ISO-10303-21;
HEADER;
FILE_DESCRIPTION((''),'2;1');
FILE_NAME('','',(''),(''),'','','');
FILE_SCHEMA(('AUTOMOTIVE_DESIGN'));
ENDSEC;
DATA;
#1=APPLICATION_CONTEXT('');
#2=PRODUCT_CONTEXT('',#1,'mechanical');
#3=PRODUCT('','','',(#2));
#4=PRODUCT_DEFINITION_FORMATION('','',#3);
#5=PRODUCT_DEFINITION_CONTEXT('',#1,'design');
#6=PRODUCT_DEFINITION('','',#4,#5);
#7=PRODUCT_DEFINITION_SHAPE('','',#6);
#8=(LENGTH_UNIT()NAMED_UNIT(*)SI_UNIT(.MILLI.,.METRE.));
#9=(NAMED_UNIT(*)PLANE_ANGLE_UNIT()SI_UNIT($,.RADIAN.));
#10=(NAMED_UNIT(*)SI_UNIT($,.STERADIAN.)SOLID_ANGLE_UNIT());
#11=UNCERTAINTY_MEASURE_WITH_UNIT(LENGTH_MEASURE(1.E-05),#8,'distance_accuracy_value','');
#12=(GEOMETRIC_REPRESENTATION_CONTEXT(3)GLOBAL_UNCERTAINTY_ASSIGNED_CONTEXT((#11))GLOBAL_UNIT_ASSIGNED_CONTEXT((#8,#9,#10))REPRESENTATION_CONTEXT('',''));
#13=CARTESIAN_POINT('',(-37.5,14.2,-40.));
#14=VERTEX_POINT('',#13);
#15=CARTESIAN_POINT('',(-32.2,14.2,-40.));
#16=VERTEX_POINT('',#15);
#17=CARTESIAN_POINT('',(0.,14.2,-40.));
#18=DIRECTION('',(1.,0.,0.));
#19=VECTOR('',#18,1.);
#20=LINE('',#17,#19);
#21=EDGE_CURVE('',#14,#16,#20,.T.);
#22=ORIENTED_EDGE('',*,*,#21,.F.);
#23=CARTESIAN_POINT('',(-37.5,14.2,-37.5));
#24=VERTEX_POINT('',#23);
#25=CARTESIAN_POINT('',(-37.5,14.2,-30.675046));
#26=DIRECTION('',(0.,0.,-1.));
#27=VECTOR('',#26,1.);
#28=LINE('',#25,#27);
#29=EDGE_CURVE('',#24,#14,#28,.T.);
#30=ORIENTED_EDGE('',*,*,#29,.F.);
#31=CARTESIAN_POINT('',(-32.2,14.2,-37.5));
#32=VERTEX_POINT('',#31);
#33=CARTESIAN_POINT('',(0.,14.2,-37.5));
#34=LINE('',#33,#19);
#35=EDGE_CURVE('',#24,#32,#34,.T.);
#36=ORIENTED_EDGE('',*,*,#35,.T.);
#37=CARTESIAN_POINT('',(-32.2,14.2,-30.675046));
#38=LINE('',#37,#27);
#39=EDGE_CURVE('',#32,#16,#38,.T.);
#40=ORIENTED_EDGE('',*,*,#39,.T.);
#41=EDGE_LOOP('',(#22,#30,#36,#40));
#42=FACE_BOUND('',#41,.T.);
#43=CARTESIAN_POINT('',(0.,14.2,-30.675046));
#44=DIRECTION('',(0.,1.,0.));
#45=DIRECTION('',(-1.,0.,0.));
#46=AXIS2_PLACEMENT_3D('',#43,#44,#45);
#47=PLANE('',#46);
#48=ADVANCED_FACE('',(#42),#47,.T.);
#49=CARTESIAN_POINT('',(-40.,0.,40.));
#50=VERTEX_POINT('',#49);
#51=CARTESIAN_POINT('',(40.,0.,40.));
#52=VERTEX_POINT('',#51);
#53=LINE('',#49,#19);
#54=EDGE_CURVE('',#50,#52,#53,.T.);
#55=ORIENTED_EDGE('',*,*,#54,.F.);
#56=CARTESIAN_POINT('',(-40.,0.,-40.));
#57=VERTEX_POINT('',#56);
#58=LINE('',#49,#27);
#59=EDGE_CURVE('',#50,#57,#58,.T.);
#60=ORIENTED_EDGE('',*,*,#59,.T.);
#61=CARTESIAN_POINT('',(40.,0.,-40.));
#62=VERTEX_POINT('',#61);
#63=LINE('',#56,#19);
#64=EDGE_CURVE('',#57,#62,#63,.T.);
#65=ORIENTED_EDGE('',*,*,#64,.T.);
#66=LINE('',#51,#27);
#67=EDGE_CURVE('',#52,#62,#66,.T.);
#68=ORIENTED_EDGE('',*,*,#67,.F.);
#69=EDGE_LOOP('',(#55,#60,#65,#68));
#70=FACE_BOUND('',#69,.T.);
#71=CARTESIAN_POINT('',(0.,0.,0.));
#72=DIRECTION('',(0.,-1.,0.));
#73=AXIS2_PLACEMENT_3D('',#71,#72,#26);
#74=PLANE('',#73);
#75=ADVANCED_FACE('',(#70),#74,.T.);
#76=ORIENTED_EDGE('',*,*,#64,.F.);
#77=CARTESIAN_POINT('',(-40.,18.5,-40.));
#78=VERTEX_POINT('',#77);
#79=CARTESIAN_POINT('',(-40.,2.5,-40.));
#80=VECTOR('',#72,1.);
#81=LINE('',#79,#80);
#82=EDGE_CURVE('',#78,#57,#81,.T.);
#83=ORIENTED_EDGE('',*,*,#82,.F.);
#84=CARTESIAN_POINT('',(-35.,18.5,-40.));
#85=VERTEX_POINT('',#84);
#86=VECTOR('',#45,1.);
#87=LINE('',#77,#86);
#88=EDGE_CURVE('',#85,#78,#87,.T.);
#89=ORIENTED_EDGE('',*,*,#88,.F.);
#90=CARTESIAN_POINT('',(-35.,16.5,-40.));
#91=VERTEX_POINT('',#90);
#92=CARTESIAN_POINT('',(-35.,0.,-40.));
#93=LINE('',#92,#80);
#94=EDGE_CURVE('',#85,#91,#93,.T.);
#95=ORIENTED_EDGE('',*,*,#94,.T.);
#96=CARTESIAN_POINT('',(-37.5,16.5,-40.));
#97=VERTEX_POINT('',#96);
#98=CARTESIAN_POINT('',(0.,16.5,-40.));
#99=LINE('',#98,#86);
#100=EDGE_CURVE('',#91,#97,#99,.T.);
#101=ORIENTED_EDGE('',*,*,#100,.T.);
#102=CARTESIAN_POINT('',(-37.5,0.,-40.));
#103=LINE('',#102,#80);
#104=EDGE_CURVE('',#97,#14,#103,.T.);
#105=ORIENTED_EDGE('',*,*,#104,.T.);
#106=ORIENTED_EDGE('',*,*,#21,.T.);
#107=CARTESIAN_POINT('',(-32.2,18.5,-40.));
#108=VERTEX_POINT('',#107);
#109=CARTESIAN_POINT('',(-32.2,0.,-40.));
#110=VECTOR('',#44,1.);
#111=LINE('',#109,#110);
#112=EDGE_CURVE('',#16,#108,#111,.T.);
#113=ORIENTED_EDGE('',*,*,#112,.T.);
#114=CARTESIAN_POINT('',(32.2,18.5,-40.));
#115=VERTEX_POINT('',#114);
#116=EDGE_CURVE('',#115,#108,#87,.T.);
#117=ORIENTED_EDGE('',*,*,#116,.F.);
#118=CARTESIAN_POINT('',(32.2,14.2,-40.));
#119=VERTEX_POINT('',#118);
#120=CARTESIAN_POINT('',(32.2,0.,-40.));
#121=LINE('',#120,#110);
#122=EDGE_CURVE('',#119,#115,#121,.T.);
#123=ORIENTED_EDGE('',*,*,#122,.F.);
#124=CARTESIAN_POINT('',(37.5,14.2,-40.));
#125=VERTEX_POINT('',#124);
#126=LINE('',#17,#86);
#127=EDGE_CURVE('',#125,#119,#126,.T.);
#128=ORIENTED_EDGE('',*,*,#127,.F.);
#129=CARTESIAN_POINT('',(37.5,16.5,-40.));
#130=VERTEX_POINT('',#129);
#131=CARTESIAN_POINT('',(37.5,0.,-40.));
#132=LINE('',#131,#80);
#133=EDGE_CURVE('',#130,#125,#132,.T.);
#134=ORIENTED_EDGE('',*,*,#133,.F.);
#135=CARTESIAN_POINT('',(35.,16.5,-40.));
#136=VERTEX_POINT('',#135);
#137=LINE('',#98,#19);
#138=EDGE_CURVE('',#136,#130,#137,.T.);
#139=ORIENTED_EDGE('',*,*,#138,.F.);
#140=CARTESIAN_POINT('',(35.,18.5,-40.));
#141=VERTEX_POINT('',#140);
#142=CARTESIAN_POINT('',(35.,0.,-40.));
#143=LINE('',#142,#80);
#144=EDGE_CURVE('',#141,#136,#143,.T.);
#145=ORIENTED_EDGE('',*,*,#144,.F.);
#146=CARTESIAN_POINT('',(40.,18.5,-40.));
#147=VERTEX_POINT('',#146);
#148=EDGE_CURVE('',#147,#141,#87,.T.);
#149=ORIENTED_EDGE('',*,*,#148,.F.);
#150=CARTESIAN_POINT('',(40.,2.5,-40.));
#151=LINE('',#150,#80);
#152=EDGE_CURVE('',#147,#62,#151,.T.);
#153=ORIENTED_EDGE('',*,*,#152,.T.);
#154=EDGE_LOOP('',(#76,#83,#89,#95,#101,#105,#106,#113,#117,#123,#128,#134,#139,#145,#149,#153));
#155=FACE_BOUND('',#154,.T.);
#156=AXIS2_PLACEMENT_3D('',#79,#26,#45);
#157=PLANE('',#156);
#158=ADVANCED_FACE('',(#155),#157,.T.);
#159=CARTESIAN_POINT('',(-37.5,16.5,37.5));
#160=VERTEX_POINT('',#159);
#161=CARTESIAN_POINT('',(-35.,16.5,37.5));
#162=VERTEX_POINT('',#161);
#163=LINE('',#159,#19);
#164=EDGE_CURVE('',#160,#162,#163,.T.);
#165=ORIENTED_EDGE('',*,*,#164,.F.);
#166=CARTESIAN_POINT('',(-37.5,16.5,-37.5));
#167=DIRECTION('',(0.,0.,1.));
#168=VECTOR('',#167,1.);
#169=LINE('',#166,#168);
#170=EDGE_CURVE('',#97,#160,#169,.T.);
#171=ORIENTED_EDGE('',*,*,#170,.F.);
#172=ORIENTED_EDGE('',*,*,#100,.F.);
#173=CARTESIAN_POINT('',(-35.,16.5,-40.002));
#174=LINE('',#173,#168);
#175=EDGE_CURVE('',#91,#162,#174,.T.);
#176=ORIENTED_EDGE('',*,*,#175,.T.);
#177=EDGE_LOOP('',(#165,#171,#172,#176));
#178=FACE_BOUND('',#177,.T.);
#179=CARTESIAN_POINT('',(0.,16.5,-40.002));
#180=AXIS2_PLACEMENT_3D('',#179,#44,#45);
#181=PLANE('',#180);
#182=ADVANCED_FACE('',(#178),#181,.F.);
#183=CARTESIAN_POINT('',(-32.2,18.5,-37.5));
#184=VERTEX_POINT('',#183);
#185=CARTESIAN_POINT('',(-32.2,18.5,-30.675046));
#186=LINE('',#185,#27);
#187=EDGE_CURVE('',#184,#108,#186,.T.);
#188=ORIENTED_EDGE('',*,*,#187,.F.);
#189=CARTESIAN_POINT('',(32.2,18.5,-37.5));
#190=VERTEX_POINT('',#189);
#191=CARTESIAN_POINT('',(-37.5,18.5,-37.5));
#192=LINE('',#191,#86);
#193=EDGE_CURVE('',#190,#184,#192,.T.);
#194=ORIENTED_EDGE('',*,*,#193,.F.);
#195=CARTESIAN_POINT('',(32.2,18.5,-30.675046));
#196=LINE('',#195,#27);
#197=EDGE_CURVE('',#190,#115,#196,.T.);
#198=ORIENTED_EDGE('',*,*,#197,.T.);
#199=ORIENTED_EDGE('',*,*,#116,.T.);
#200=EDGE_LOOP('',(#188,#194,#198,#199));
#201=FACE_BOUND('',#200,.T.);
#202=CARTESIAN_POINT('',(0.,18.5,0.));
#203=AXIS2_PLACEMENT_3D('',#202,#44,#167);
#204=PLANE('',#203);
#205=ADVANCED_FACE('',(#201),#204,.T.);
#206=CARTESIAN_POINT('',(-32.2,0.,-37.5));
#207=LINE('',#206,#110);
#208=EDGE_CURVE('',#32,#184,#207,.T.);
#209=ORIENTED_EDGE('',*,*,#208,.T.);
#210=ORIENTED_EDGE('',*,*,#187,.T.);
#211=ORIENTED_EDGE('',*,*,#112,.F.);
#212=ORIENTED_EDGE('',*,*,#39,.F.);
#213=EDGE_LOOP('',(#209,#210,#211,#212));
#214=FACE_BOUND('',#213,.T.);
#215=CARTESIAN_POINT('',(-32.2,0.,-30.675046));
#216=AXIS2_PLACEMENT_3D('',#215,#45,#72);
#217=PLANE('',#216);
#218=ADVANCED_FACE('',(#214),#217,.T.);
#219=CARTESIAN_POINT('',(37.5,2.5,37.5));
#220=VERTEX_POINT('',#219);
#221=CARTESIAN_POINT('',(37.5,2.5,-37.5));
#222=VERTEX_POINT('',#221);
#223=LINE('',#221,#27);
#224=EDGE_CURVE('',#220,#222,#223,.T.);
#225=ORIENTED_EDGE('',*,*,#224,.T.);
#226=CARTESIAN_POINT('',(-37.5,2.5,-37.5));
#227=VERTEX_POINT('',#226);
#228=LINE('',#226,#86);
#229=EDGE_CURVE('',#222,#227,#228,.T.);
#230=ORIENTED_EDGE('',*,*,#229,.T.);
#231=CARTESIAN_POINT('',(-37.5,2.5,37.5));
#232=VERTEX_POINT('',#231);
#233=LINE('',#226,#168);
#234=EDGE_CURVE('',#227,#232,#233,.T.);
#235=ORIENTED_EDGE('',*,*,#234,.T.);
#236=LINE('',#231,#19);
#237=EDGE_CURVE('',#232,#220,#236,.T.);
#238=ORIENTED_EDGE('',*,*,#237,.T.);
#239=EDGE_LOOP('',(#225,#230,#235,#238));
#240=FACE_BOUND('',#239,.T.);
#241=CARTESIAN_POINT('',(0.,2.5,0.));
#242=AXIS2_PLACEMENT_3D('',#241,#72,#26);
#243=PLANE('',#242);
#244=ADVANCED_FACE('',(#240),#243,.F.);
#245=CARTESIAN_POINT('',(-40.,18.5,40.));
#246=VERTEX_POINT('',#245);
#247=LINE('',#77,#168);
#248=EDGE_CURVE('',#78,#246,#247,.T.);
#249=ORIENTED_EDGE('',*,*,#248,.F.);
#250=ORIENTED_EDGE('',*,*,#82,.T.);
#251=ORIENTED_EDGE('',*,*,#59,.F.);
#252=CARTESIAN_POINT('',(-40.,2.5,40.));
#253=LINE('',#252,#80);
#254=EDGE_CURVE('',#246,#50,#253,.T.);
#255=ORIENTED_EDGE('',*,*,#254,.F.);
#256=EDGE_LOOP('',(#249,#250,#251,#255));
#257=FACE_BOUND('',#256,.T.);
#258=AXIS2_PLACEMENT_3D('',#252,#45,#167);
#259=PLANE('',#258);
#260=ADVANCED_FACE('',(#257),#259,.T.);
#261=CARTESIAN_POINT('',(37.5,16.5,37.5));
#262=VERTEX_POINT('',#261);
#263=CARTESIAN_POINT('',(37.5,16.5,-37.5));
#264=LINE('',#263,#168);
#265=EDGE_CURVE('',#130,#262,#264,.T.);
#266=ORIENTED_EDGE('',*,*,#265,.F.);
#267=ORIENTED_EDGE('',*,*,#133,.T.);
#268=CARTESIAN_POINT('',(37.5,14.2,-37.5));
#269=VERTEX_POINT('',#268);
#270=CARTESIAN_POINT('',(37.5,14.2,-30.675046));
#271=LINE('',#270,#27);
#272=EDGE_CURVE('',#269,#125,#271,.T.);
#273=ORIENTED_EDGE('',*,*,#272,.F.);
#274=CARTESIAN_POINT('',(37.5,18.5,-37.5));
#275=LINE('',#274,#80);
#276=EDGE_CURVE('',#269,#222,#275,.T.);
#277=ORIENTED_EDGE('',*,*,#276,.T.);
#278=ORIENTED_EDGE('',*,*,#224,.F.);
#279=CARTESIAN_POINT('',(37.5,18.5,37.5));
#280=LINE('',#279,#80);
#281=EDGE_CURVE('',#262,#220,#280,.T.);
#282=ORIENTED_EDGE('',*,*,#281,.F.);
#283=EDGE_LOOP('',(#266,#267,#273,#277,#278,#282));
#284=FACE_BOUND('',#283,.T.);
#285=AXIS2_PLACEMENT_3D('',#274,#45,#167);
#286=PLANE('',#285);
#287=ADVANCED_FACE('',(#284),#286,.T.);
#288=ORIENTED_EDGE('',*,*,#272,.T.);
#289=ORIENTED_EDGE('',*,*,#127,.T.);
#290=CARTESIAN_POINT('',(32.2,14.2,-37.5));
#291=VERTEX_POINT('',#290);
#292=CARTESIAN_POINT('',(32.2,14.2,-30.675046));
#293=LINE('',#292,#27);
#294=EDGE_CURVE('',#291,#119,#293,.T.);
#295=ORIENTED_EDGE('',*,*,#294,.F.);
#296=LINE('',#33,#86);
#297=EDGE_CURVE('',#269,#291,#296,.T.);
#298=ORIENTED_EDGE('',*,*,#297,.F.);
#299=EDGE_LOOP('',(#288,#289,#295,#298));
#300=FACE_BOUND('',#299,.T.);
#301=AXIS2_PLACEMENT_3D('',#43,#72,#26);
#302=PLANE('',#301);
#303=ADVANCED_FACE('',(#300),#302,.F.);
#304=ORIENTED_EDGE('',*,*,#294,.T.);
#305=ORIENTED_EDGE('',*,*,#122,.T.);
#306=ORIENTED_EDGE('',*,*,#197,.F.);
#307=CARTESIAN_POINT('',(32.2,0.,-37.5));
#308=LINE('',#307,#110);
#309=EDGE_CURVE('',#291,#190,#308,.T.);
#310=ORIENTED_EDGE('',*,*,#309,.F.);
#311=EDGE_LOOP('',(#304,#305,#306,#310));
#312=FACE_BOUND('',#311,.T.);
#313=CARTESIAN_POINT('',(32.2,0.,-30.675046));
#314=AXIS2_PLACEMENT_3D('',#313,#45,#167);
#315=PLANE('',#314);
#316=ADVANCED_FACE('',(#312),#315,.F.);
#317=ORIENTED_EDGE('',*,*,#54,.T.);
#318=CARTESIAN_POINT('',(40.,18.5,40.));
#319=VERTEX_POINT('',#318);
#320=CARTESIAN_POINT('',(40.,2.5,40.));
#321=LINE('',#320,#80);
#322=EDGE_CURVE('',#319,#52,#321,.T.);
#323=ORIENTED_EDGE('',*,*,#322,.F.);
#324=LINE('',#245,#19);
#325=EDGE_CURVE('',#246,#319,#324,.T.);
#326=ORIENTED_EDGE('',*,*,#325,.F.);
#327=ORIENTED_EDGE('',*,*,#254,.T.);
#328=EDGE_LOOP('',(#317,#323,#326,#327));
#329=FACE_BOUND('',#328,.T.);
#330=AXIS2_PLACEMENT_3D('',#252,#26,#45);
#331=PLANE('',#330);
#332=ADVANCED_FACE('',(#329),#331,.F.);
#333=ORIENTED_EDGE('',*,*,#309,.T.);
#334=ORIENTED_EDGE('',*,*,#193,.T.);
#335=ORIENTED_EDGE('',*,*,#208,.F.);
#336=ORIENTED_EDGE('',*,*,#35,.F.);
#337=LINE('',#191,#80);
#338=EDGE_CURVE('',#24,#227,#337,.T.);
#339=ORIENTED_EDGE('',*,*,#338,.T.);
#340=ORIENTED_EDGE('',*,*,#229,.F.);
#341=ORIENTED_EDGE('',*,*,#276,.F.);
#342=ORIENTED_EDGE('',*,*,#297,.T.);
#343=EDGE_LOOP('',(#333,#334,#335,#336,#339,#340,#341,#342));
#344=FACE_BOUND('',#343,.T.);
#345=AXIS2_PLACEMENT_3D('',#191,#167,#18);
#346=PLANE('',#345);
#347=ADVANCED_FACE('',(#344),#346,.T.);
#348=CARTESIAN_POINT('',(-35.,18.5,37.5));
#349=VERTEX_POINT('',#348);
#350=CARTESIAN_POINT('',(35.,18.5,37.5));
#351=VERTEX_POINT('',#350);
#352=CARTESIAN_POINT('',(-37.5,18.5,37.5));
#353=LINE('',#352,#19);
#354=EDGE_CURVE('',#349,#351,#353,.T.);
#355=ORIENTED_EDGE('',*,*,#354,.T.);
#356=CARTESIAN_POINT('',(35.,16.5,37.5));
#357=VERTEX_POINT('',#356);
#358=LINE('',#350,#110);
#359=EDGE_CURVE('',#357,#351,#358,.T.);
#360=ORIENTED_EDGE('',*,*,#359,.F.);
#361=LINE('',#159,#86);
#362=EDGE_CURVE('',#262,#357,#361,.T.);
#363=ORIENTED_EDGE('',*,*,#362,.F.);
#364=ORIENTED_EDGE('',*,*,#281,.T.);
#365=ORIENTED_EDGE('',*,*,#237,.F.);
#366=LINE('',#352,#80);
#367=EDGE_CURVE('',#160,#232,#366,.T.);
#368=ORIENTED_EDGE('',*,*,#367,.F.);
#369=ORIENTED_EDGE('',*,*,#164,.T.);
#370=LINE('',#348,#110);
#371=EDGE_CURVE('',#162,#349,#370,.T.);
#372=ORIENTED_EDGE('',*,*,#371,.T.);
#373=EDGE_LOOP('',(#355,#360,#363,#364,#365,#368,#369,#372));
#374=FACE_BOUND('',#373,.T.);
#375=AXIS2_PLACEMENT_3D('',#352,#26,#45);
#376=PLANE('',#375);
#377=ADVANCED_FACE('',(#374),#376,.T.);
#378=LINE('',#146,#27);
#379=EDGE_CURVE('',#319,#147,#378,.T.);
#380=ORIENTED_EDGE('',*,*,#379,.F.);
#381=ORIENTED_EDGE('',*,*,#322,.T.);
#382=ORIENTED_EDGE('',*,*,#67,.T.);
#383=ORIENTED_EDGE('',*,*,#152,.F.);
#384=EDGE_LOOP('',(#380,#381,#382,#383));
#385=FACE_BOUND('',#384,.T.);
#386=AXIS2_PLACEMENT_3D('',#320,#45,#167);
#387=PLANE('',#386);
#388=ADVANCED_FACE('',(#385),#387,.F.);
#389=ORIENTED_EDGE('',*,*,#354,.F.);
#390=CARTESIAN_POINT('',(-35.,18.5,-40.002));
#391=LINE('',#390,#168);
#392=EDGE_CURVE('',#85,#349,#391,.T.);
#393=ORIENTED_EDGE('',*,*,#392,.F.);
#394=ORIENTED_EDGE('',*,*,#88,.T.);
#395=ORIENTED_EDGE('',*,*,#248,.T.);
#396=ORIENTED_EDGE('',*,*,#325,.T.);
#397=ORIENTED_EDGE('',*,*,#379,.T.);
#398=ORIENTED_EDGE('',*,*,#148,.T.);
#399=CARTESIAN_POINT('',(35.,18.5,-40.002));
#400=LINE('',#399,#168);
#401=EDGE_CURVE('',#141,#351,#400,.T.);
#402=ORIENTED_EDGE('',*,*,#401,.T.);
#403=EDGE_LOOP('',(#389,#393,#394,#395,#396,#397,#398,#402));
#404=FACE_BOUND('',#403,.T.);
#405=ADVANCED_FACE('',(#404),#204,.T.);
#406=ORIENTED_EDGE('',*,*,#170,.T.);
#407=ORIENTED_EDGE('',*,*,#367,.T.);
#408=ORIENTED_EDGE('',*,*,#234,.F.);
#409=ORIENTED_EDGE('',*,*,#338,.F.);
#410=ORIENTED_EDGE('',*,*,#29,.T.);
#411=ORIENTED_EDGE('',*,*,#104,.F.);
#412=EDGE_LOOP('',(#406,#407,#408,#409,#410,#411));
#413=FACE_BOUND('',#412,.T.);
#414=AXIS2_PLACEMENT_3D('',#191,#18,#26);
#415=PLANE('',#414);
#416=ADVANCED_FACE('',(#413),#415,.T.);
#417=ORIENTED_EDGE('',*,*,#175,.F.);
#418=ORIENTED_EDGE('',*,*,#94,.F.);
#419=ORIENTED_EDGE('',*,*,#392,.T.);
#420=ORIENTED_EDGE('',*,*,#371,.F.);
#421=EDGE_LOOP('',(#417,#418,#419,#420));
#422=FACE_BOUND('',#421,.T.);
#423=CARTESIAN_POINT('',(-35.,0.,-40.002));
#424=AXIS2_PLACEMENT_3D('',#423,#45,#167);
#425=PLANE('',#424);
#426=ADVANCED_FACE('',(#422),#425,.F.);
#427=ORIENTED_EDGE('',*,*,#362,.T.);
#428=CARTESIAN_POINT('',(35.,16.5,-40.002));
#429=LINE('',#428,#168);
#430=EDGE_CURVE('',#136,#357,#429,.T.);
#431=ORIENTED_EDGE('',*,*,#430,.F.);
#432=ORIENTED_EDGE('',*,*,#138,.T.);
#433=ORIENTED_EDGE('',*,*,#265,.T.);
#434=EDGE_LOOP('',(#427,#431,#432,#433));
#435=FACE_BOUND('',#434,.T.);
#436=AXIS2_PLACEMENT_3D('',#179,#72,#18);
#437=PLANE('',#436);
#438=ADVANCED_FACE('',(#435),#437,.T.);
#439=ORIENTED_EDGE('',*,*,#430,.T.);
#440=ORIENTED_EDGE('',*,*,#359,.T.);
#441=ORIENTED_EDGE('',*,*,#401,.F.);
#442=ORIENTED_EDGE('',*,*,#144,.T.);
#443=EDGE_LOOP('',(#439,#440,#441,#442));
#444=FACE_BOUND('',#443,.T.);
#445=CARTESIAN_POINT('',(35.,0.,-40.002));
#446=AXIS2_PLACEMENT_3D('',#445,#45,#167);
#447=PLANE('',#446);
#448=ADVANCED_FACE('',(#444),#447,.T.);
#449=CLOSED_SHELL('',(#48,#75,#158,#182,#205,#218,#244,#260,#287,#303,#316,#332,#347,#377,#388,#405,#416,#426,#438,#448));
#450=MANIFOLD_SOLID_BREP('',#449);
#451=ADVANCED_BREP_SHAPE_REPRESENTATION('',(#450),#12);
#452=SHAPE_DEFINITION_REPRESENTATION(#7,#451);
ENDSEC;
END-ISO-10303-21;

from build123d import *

# Parameters (mm, degrees)
SKETCH1_W           = 80
SKETCH1_H           = 80
BOSS_EXTRUDE1_DEPTH = 2.5
SKETCH2_W           = 80
SKETCH2_H           = 80
SKETCH2_W_2         = 75
SKETCH2_H_2         = 75
BOSS_EXTRUDE2_DEPTH = 16
BOSS_EXTRUDE3_REACH = 93.336
SKETCH4_W           = 5
SKETCH4_H           = 2
CUT_EXTRUDE2_DEPTH  = 2.5


with BuildPart() as part:
    # Sketch1 → Boss-Extrude1 (new body)
    with BuildSketch(Plane(origin=(0, 0, 0), x_dir=(1, 0, 0), z_dir=(0, 1, 0))):
        Rectangle(SKETCH1_W, SKETCH1_H)
    extrude(amount=BOSS_EXTRUDE1_DEPTH)

    # Sketch2 → Boss-Extrude2 (add)
    with BuildSketch(Plane(origin=(0, 2.5, 0), x_dir=(1, 0, 0), z_dir=(0, 1, 0))):
        Rectangle(SKETCH2_W, SKETCH2_H)
        Rectangle(SKETCH2_W_2, SKETCH2_H_2, mode=Mode.SUBTRACT)
    extrude(amount=BOSS_EXTRUDE2_DEPTH)

    # Sketch4 → Boss-Extrude3 (add, up to next)
    with BuildSketch(Plane.XY.offset(40), mode=Mode.PRIVATE) as boss_extrude3_sk1:
        with Locations((-37.5, 17.5)):
            Rectangle(SKETCH4_W, SKETCH4_H)
    boss_extrude3_tool1 = extrude(boss_extrude3_sk1.sketch, amount=-BOSS_EXTRUDE3_REACH, mode=Mode.PRIVATE) - part.part
    # Sketch4 → Boss-Extrude3 (add, up to next)
    with BuildSketch(Plane.XY.offset(40), mode=Mode.PRIVATE) as boss_extrude3_sk2:
        with Locations((37.5, 17.5)):
            Rectangle(SKETCH4_W, SKETCH4_H)
    boss_extrude3_tool2 = extrude(boss_extrude3_sk2.sketch, amount=-BOSS_EXTRUDE3_REACH, mode=Mode.PRIVATE) - part.part
    add(boss_extrude3_tool1.solids().sort_by_distance((-37.5, 17.5, 40))[0])
    add(boss_extrude3_tool2.solids().sort_by_distance((37.5, 17.5, 40))[0])

    # Sketch5 → Cut-Extrude2 (cut)
    with BuildSketch(Plane(origin=(0, 0, -40), x_dir=(-1, 0, 0), z_dir=(0, 0, -1))):
        Polygon((-32.2, 18.5), (-35, 18.5), (-35, 16.5), (-37.5, 16.5), (-37.5, 14.2), (-32.2, 14.2), align=None)
        Polygon((35, 18.5), (32.2, 18.5), (32.2, 14.2), (37.5, 14.2), (37.5, 16.5), (35, 16.5), align=None)
    extrude(amount=-CUT_EXTRUDE2_DEPTH, mode=Mode.SUBTRACT)


solid = part.part
